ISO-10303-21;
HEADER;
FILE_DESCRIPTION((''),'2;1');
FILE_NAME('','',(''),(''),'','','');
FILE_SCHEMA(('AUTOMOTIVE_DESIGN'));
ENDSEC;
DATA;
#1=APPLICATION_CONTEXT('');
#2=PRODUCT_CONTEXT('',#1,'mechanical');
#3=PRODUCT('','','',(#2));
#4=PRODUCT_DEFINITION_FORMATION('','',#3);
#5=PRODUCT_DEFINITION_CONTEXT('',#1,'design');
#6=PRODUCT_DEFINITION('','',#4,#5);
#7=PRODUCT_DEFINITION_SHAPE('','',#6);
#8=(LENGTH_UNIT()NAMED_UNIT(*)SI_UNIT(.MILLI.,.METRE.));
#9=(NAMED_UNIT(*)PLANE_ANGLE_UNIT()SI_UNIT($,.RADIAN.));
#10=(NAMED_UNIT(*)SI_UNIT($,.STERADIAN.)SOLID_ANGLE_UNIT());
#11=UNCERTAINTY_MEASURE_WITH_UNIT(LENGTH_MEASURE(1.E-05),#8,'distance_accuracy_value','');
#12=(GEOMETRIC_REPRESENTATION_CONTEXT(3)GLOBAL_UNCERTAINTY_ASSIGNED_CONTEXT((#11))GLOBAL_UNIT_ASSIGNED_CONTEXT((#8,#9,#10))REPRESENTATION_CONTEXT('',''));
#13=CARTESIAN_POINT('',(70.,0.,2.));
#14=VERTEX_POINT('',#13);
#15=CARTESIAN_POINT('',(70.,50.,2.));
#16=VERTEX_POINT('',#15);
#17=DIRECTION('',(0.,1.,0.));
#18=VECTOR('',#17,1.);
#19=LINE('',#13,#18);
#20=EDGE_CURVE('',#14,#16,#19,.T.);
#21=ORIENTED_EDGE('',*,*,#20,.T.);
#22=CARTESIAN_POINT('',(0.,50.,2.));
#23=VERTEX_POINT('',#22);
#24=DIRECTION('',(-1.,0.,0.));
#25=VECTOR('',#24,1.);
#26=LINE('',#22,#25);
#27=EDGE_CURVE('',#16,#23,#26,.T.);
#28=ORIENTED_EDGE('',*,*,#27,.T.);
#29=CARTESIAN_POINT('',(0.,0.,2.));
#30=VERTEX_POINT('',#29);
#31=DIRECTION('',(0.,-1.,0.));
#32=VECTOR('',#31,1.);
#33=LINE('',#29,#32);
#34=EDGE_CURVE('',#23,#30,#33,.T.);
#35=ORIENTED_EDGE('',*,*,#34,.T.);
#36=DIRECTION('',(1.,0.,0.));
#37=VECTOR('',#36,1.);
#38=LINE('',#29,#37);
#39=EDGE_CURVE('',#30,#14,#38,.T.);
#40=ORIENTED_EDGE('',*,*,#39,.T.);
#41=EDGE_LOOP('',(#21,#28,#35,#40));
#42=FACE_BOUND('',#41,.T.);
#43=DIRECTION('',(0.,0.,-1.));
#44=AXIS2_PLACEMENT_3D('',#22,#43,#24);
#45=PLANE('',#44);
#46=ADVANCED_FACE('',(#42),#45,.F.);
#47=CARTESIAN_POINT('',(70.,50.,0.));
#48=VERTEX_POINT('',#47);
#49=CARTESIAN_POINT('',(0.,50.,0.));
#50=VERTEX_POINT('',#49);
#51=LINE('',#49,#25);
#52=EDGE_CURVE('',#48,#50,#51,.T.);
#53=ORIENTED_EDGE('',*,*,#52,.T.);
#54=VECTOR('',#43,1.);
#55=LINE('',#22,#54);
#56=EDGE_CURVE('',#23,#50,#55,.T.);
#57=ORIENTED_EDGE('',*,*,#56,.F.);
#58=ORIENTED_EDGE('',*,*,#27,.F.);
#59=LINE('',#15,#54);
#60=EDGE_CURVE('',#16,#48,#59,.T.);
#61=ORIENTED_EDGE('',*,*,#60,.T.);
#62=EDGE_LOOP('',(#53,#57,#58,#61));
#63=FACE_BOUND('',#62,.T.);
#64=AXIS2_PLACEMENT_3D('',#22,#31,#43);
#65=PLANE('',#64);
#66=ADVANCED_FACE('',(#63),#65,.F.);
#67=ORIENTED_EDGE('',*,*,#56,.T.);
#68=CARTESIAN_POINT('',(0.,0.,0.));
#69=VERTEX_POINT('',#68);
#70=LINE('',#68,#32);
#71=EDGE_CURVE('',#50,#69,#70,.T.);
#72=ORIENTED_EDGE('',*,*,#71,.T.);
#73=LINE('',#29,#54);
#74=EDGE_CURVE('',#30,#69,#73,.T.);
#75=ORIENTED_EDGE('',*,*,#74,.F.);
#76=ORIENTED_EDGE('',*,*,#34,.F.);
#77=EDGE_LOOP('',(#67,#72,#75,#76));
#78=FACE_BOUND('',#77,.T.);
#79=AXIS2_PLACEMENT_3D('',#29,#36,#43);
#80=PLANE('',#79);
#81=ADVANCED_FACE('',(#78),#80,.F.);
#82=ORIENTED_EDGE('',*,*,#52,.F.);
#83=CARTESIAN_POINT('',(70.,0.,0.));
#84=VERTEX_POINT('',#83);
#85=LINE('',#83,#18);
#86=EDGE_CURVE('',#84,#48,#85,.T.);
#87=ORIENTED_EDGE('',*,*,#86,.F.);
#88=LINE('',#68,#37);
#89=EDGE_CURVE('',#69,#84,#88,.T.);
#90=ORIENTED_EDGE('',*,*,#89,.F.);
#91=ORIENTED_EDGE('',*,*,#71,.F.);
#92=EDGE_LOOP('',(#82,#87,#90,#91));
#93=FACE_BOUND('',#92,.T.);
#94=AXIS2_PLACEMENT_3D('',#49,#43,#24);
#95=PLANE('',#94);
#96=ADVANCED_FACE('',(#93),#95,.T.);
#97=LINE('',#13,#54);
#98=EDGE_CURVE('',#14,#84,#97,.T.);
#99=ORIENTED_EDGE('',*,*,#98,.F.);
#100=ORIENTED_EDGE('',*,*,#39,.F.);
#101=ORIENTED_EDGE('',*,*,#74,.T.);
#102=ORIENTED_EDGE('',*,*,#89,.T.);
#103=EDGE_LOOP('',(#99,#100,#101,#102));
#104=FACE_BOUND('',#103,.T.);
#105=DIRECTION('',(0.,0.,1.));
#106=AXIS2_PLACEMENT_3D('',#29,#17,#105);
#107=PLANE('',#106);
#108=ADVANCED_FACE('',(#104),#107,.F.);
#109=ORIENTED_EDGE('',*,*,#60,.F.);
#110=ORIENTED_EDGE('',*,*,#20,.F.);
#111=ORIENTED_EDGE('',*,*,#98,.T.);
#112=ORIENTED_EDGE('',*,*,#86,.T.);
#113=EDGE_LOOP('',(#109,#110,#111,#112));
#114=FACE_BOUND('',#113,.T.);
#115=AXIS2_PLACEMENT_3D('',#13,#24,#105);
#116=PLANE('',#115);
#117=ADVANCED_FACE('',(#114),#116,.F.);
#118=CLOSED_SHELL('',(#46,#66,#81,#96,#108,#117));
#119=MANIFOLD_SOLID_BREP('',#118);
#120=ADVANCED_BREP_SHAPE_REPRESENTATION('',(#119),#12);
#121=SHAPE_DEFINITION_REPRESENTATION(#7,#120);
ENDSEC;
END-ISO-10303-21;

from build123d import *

# Parameters (mm, degrees)
SKIZZE1_W                       = 70
SKIZZE1_H                       = 50
AUFSATZ_LINEAR_AUSTRAGEN1_DEPTH = 2


with BuildPart() as part:
    # Skizze1 → Aufsatz-Linear austragen1 (new body)
    with BuildSketch(Plane.XY):
        with Locations((35, 25)):
            Rectangle(SKIZZE1_W, SKIZZE1_H)
    extrude(amount=AUFSATZ_LINEAR_AUSTRAGEN1_DEPTH)


solid = part.part
